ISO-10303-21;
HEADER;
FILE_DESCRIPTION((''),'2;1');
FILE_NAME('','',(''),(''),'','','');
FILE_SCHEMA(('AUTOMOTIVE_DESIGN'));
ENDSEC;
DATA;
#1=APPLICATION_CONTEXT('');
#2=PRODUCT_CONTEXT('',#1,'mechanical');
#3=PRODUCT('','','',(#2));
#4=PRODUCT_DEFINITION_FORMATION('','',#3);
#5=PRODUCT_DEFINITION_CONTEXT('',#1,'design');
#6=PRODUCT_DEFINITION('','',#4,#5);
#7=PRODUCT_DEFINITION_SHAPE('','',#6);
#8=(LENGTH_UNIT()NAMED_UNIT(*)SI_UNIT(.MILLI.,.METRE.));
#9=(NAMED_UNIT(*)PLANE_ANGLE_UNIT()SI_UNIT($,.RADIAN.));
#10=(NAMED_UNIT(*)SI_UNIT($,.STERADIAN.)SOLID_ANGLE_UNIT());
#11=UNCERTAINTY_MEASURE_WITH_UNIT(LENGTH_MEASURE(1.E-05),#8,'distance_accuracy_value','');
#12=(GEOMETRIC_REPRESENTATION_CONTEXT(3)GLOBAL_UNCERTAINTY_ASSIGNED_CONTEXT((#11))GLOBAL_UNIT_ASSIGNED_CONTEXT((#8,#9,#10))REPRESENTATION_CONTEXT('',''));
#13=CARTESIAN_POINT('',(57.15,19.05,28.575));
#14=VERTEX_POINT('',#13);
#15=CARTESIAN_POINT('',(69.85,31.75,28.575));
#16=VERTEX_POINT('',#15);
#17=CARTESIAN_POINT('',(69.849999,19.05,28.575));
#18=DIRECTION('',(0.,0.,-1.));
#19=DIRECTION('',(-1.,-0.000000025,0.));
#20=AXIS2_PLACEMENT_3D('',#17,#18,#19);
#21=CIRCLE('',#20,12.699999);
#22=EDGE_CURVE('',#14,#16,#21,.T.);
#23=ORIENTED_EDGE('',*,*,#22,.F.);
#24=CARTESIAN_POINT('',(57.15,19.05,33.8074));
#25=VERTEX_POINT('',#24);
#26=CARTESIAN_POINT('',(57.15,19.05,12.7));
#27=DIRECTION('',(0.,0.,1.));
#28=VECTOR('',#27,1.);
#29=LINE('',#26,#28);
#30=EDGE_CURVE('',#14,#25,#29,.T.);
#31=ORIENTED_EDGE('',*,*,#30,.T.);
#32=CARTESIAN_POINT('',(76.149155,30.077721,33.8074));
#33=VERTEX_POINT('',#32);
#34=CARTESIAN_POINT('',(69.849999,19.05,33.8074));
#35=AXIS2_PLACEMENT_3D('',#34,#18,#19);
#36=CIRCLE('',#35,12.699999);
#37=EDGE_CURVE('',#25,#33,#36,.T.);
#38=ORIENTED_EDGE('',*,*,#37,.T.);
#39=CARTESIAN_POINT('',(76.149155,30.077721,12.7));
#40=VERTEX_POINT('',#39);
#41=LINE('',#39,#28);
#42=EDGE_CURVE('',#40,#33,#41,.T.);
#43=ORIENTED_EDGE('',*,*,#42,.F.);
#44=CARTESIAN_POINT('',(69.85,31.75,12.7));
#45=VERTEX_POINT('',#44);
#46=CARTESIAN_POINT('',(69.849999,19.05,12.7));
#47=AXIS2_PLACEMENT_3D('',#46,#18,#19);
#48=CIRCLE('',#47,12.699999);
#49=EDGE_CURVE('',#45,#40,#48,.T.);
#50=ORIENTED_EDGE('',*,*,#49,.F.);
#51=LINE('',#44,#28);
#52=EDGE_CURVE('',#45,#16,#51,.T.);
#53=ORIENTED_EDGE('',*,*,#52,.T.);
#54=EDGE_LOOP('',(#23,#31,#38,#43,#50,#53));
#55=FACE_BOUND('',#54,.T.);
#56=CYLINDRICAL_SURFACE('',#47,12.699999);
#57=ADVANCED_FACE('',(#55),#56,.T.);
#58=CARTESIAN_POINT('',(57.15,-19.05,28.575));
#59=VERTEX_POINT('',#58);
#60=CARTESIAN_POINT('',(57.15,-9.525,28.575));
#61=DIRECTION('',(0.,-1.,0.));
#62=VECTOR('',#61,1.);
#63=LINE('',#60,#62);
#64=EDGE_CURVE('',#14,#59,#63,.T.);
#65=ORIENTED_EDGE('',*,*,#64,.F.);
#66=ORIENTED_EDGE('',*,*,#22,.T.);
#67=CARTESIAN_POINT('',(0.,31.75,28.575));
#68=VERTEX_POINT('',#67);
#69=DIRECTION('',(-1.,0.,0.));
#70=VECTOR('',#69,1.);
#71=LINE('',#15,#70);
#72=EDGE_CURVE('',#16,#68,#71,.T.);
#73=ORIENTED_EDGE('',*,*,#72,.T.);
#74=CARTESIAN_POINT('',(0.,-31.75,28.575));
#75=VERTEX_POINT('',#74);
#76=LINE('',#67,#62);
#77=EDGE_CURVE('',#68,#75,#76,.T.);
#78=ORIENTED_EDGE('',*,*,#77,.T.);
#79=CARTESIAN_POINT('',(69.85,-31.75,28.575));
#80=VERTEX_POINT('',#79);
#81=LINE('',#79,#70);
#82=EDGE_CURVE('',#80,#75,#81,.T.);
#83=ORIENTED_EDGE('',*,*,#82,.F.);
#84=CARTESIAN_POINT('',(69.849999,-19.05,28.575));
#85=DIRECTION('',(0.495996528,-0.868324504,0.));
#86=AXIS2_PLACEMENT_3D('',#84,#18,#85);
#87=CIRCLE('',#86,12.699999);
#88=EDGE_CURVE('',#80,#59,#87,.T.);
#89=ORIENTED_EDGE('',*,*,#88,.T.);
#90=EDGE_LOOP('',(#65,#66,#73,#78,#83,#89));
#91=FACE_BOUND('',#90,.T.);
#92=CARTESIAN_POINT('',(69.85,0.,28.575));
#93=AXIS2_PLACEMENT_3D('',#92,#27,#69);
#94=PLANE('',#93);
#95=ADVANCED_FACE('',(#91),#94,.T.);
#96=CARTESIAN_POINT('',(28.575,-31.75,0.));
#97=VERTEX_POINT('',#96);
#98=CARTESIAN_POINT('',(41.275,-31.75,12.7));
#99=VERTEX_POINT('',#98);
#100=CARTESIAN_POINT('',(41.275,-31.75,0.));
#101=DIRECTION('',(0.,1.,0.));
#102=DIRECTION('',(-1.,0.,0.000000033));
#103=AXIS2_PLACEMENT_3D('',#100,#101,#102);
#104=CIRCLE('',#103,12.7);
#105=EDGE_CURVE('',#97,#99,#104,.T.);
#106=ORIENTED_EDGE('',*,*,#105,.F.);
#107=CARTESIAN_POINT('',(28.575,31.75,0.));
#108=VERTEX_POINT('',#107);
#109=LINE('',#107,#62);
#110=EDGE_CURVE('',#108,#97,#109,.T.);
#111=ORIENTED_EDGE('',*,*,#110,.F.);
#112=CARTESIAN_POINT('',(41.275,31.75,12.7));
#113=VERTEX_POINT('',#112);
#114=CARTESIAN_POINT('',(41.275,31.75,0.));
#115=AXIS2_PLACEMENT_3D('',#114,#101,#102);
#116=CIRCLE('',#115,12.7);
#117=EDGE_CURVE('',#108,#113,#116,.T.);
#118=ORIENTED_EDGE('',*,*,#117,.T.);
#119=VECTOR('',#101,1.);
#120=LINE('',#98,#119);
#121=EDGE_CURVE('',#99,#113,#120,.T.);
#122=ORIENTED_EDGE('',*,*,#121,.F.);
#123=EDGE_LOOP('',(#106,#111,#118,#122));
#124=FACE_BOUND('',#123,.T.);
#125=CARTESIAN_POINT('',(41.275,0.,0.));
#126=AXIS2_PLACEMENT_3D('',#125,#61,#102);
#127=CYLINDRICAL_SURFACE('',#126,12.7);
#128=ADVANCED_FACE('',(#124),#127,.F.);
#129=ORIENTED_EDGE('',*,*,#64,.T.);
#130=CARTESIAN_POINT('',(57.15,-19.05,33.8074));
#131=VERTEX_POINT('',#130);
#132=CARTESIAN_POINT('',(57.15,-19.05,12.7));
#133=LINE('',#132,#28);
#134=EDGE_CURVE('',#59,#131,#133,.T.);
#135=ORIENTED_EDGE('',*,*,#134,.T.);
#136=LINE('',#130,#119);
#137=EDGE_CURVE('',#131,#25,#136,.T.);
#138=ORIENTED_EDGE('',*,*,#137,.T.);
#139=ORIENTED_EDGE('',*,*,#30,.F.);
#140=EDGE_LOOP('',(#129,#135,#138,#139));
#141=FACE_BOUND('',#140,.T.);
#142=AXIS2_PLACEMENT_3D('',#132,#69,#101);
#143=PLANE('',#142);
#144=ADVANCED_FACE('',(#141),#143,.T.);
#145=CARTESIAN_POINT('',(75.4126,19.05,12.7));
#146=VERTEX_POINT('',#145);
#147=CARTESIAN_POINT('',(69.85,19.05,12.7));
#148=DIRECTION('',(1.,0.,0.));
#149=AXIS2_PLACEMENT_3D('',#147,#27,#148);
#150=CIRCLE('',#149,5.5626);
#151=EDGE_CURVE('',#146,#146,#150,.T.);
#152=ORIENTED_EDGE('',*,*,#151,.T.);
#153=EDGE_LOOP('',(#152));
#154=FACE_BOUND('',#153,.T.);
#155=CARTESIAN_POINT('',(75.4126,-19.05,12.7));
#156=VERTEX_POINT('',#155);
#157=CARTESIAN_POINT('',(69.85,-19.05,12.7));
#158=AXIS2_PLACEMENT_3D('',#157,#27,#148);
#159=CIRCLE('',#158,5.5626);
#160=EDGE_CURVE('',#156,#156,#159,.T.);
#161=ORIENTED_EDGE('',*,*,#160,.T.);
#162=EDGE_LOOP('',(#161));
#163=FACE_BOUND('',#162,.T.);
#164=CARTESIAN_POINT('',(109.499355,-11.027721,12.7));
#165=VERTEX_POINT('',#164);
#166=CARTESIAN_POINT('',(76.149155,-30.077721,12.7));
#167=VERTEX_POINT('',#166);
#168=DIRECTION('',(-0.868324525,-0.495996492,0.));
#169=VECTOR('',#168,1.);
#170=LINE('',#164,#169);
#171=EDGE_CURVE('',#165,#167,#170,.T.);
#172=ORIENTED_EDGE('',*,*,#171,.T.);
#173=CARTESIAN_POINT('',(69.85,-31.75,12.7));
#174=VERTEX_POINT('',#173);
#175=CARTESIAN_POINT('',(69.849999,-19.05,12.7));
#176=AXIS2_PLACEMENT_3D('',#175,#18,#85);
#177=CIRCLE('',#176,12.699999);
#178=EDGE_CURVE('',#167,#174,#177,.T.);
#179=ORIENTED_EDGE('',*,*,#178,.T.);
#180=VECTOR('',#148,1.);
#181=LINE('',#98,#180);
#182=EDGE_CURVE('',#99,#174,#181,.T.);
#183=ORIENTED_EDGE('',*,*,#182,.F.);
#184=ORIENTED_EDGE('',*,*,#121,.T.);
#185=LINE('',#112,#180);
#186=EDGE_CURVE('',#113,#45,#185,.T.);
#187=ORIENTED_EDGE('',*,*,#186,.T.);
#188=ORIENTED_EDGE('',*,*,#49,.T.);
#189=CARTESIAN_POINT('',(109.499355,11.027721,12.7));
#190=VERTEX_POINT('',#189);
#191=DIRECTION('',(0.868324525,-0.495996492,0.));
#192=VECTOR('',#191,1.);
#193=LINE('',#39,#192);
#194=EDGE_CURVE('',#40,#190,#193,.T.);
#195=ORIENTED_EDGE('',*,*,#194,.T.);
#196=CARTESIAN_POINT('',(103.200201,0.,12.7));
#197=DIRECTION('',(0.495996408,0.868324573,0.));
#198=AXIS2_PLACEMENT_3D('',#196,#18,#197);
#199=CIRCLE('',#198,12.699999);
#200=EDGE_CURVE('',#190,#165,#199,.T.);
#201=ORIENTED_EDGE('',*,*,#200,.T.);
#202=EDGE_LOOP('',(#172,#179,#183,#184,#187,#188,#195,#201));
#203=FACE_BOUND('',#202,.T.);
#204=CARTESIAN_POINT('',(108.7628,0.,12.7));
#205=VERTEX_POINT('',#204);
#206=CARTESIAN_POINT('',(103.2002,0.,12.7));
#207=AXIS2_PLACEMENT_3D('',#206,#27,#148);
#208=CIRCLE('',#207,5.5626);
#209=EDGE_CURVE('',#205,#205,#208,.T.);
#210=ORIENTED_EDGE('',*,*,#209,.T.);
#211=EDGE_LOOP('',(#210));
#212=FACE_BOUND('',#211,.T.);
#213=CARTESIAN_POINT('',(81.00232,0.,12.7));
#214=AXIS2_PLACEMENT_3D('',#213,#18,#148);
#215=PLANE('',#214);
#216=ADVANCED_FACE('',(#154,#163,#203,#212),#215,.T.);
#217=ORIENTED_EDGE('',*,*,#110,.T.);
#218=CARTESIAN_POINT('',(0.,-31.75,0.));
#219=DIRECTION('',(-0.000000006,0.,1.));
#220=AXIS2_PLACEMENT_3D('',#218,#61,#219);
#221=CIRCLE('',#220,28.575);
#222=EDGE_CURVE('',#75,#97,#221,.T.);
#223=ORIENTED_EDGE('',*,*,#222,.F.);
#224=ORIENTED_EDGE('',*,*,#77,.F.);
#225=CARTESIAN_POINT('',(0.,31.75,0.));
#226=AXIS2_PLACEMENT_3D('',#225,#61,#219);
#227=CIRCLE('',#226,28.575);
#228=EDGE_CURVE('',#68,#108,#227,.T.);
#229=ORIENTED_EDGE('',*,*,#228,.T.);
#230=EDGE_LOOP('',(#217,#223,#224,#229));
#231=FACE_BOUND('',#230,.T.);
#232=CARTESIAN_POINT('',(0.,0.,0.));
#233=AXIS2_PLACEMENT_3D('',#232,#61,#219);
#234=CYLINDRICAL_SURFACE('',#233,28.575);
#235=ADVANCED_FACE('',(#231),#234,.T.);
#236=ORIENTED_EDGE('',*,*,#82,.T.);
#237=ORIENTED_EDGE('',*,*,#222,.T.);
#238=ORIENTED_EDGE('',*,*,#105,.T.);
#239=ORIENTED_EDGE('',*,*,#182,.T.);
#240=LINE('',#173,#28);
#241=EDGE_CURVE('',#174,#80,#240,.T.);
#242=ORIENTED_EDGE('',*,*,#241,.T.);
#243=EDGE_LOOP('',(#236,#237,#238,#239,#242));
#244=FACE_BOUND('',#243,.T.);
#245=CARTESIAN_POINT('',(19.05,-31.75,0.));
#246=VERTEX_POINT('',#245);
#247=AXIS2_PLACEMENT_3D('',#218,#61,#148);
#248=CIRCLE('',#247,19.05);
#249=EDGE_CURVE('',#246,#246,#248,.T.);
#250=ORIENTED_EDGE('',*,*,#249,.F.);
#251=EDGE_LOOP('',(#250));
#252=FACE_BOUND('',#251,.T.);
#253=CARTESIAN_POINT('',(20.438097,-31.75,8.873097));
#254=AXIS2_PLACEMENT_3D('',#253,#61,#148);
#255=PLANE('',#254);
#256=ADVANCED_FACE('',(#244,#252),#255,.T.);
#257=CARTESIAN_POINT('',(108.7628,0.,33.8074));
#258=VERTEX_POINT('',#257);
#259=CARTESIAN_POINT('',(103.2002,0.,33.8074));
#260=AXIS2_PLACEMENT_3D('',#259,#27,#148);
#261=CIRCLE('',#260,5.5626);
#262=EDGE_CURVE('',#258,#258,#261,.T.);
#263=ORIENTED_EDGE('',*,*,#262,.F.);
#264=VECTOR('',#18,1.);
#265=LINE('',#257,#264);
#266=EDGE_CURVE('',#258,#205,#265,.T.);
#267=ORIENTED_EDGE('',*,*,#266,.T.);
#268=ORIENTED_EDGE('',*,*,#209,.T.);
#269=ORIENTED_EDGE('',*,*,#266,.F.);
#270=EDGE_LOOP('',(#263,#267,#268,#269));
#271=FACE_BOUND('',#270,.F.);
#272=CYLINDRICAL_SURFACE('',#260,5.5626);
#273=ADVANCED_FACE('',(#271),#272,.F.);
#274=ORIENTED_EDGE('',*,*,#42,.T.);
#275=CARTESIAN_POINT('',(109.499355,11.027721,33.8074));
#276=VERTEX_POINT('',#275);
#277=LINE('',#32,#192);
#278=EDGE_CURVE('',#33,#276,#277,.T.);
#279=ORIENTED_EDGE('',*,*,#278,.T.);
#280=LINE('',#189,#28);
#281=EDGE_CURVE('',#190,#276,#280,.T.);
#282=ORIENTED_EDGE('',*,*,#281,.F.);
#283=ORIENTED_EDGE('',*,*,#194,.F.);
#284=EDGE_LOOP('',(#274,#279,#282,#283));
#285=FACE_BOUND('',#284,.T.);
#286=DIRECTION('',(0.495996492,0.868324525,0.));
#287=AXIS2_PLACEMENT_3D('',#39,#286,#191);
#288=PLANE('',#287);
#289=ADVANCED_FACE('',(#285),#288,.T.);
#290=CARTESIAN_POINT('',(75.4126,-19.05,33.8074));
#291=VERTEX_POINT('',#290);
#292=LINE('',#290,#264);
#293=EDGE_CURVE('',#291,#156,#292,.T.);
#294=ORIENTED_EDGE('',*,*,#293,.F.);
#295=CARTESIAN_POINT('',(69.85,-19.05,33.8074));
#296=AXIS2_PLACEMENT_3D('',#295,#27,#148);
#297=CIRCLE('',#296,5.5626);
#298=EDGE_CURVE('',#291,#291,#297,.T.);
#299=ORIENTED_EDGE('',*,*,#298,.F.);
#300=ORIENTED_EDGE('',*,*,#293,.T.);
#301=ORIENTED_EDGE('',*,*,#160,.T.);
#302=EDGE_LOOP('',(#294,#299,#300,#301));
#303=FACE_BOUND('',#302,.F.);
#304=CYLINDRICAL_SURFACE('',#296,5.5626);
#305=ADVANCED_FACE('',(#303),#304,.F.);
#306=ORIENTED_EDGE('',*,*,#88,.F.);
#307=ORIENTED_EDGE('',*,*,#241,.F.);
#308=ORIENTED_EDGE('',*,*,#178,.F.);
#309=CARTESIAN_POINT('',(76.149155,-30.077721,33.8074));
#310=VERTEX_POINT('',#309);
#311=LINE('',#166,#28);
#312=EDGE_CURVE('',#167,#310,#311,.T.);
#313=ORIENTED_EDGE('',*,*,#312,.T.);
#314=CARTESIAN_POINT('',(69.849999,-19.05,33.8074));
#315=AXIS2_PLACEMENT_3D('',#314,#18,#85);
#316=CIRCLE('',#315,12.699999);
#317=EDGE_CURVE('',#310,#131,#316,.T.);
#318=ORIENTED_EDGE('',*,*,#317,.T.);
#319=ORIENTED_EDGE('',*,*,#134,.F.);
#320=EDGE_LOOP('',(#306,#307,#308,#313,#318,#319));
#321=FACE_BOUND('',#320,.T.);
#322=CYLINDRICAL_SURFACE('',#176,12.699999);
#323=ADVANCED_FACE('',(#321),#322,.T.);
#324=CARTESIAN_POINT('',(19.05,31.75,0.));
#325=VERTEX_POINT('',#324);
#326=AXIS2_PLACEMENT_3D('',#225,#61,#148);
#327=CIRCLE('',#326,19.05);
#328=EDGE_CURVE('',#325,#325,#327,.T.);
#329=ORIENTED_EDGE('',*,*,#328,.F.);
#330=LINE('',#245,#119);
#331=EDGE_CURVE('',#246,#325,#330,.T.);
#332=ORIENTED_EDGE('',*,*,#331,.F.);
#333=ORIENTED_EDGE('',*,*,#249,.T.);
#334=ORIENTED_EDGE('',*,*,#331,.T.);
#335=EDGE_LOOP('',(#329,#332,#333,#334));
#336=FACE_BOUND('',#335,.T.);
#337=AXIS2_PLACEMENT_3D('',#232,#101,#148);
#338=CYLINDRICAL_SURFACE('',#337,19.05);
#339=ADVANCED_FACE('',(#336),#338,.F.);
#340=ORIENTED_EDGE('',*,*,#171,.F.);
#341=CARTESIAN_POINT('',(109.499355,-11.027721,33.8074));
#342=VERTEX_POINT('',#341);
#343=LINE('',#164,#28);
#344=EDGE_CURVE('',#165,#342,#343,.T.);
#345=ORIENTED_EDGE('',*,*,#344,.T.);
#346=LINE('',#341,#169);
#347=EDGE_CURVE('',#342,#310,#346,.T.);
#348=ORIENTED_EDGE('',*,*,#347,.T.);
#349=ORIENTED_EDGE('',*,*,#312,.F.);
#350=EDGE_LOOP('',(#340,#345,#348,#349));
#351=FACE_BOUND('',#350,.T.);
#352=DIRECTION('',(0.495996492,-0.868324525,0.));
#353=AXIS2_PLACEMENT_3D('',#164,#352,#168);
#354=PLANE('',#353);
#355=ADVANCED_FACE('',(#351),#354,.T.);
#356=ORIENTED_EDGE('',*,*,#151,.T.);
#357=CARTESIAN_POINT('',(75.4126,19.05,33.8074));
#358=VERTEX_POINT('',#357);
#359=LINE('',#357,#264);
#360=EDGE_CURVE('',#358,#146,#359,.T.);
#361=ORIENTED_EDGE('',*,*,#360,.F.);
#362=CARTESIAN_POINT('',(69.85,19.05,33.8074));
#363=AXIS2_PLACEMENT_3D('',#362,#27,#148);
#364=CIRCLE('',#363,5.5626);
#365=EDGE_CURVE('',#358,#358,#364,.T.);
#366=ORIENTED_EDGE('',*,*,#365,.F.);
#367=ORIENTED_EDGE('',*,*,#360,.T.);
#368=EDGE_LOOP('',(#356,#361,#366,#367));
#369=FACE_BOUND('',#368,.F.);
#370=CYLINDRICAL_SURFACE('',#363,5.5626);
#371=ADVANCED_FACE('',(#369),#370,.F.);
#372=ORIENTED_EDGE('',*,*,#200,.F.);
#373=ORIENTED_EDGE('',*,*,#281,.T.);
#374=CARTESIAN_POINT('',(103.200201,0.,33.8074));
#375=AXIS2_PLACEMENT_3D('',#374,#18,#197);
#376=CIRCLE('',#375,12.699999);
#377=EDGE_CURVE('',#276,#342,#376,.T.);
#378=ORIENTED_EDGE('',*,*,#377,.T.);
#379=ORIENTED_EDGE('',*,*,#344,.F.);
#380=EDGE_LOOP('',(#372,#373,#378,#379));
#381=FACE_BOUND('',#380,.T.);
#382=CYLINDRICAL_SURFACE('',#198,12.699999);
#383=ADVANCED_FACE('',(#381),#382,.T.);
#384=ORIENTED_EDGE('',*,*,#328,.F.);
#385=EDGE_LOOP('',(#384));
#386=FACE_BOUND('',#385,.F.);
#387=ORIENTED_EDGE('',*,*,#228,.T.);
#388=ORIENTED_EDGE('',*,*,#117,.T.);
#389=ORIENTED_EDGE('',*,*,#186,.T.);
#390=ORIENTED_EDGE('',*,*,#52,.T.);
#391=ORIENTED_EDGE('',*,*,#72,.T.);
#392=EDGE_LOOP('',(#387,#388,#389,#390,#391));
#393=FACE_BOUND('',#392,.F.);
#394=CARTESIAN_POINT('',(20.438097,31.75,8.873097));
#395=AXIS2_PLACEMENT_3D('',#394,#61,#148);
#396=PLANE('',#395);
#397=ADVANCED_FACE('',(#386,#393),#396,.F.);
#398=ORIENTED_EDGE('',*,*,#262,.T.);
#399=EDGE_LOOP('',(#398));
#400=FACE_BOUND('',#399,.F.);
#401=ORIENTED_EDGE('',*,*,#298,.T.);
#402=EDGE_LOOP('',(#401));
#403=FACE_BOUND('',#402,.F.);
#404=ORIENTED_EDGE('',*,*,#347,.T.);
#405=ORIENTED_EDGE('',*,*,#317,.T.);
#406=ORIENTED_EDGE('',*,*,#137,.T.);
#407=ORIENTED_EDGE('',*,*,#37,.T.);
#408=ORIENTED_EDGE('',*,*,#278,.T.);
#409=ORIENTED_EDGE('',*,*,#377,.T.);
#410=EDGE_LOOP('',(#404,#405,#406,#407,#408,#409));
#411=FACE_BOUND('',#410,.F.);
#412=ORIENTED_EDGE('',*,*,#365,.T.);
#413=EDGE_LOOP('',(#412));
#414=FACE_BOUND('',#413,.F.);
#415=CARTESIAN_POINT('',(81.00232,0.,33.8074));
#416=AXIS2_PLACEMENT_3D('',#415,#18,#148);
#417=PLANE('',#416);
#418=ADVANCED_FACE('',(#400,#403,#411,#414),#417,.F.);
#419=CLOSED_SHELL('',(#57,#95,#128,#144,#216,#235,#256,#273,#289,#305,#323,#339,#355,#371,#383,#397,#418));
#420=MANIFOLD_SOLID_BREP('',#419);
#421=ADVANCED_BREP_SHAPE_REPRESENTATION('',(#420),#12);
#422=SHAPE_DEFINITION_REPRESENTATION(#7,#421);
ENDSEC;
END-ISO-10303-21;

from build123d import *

# Parameters (mm, degrees)
F0_R     = 19.05
F1_DEPTH = 31.75
F3_DEPTH = 21.1074
F4_R     = 5.5626
F5_DEPTH = 62.3834


with BuildPart() as f1:
    # F0 (on Front) → F1 (new body, symmetric)
    with BuildSketch(Plane.XZ):
        with BuildLine():
            Line((69.85, 28.575), (0, 28.575))
            ThreePointArc((0, 28.575), (-20.205576, -20.205576), (28.575, 0))
            ThreePointArc((28.575, 0), (32.294744, 8.980256), (41.275, 12.7))
            Line((41.275, 12.7), (69.85, 12.7))
            Line((69.85, 12.7), (69.85, 28.575))
        make_face()
        Circle(F0_R, mode=Mode.SUBTRACT)
    extrude(amount=F1_DEPTH, both=True)

    # F2 (on face) → F3 (join)
    with BuildSketch(Plane(origin=(0, 0, 12.7), x_dir=(1, 0, 0), z_dir=(0, 0, -1))):
        with BuildLine():
            ThreePointArc((76.149155, 30.077721), (63.474628, 30.033835), (57.15, 19.05))
            Line((57.15, 19.05), (57.15, -19.05))
            ThreePointArc((57.15, -19.05), (63.474628, -30.033835), (76.149155, -30.077721))
            Line((76.149155, -30.077721), (109.499355, -11.027721))
            ThreePointArc((109.499355, -11.027721), (115.9002, 0), (109.499355, 11.027721))
            Line((109.499355, 11.027721), (76.149155, 30.077721))
        make_face()
    extrude(amount=-F3_DEPTH)

    # F4 (on face) → F5 (cut, through all)
    with BuildSketch(Plane.XY.offset(33.8074)):
        with Locations((103.2002, 0)):
            Circle(F4_R)
        with Locations((69.85, -19.05)):
            Circle(F4_R)
        with Locations((69.85, 19.05)):
            Circle(F4_R)
    extrude(amount=-F5_DEPTH, mode=Mode.SUBTRACT)


solid = f1.part
